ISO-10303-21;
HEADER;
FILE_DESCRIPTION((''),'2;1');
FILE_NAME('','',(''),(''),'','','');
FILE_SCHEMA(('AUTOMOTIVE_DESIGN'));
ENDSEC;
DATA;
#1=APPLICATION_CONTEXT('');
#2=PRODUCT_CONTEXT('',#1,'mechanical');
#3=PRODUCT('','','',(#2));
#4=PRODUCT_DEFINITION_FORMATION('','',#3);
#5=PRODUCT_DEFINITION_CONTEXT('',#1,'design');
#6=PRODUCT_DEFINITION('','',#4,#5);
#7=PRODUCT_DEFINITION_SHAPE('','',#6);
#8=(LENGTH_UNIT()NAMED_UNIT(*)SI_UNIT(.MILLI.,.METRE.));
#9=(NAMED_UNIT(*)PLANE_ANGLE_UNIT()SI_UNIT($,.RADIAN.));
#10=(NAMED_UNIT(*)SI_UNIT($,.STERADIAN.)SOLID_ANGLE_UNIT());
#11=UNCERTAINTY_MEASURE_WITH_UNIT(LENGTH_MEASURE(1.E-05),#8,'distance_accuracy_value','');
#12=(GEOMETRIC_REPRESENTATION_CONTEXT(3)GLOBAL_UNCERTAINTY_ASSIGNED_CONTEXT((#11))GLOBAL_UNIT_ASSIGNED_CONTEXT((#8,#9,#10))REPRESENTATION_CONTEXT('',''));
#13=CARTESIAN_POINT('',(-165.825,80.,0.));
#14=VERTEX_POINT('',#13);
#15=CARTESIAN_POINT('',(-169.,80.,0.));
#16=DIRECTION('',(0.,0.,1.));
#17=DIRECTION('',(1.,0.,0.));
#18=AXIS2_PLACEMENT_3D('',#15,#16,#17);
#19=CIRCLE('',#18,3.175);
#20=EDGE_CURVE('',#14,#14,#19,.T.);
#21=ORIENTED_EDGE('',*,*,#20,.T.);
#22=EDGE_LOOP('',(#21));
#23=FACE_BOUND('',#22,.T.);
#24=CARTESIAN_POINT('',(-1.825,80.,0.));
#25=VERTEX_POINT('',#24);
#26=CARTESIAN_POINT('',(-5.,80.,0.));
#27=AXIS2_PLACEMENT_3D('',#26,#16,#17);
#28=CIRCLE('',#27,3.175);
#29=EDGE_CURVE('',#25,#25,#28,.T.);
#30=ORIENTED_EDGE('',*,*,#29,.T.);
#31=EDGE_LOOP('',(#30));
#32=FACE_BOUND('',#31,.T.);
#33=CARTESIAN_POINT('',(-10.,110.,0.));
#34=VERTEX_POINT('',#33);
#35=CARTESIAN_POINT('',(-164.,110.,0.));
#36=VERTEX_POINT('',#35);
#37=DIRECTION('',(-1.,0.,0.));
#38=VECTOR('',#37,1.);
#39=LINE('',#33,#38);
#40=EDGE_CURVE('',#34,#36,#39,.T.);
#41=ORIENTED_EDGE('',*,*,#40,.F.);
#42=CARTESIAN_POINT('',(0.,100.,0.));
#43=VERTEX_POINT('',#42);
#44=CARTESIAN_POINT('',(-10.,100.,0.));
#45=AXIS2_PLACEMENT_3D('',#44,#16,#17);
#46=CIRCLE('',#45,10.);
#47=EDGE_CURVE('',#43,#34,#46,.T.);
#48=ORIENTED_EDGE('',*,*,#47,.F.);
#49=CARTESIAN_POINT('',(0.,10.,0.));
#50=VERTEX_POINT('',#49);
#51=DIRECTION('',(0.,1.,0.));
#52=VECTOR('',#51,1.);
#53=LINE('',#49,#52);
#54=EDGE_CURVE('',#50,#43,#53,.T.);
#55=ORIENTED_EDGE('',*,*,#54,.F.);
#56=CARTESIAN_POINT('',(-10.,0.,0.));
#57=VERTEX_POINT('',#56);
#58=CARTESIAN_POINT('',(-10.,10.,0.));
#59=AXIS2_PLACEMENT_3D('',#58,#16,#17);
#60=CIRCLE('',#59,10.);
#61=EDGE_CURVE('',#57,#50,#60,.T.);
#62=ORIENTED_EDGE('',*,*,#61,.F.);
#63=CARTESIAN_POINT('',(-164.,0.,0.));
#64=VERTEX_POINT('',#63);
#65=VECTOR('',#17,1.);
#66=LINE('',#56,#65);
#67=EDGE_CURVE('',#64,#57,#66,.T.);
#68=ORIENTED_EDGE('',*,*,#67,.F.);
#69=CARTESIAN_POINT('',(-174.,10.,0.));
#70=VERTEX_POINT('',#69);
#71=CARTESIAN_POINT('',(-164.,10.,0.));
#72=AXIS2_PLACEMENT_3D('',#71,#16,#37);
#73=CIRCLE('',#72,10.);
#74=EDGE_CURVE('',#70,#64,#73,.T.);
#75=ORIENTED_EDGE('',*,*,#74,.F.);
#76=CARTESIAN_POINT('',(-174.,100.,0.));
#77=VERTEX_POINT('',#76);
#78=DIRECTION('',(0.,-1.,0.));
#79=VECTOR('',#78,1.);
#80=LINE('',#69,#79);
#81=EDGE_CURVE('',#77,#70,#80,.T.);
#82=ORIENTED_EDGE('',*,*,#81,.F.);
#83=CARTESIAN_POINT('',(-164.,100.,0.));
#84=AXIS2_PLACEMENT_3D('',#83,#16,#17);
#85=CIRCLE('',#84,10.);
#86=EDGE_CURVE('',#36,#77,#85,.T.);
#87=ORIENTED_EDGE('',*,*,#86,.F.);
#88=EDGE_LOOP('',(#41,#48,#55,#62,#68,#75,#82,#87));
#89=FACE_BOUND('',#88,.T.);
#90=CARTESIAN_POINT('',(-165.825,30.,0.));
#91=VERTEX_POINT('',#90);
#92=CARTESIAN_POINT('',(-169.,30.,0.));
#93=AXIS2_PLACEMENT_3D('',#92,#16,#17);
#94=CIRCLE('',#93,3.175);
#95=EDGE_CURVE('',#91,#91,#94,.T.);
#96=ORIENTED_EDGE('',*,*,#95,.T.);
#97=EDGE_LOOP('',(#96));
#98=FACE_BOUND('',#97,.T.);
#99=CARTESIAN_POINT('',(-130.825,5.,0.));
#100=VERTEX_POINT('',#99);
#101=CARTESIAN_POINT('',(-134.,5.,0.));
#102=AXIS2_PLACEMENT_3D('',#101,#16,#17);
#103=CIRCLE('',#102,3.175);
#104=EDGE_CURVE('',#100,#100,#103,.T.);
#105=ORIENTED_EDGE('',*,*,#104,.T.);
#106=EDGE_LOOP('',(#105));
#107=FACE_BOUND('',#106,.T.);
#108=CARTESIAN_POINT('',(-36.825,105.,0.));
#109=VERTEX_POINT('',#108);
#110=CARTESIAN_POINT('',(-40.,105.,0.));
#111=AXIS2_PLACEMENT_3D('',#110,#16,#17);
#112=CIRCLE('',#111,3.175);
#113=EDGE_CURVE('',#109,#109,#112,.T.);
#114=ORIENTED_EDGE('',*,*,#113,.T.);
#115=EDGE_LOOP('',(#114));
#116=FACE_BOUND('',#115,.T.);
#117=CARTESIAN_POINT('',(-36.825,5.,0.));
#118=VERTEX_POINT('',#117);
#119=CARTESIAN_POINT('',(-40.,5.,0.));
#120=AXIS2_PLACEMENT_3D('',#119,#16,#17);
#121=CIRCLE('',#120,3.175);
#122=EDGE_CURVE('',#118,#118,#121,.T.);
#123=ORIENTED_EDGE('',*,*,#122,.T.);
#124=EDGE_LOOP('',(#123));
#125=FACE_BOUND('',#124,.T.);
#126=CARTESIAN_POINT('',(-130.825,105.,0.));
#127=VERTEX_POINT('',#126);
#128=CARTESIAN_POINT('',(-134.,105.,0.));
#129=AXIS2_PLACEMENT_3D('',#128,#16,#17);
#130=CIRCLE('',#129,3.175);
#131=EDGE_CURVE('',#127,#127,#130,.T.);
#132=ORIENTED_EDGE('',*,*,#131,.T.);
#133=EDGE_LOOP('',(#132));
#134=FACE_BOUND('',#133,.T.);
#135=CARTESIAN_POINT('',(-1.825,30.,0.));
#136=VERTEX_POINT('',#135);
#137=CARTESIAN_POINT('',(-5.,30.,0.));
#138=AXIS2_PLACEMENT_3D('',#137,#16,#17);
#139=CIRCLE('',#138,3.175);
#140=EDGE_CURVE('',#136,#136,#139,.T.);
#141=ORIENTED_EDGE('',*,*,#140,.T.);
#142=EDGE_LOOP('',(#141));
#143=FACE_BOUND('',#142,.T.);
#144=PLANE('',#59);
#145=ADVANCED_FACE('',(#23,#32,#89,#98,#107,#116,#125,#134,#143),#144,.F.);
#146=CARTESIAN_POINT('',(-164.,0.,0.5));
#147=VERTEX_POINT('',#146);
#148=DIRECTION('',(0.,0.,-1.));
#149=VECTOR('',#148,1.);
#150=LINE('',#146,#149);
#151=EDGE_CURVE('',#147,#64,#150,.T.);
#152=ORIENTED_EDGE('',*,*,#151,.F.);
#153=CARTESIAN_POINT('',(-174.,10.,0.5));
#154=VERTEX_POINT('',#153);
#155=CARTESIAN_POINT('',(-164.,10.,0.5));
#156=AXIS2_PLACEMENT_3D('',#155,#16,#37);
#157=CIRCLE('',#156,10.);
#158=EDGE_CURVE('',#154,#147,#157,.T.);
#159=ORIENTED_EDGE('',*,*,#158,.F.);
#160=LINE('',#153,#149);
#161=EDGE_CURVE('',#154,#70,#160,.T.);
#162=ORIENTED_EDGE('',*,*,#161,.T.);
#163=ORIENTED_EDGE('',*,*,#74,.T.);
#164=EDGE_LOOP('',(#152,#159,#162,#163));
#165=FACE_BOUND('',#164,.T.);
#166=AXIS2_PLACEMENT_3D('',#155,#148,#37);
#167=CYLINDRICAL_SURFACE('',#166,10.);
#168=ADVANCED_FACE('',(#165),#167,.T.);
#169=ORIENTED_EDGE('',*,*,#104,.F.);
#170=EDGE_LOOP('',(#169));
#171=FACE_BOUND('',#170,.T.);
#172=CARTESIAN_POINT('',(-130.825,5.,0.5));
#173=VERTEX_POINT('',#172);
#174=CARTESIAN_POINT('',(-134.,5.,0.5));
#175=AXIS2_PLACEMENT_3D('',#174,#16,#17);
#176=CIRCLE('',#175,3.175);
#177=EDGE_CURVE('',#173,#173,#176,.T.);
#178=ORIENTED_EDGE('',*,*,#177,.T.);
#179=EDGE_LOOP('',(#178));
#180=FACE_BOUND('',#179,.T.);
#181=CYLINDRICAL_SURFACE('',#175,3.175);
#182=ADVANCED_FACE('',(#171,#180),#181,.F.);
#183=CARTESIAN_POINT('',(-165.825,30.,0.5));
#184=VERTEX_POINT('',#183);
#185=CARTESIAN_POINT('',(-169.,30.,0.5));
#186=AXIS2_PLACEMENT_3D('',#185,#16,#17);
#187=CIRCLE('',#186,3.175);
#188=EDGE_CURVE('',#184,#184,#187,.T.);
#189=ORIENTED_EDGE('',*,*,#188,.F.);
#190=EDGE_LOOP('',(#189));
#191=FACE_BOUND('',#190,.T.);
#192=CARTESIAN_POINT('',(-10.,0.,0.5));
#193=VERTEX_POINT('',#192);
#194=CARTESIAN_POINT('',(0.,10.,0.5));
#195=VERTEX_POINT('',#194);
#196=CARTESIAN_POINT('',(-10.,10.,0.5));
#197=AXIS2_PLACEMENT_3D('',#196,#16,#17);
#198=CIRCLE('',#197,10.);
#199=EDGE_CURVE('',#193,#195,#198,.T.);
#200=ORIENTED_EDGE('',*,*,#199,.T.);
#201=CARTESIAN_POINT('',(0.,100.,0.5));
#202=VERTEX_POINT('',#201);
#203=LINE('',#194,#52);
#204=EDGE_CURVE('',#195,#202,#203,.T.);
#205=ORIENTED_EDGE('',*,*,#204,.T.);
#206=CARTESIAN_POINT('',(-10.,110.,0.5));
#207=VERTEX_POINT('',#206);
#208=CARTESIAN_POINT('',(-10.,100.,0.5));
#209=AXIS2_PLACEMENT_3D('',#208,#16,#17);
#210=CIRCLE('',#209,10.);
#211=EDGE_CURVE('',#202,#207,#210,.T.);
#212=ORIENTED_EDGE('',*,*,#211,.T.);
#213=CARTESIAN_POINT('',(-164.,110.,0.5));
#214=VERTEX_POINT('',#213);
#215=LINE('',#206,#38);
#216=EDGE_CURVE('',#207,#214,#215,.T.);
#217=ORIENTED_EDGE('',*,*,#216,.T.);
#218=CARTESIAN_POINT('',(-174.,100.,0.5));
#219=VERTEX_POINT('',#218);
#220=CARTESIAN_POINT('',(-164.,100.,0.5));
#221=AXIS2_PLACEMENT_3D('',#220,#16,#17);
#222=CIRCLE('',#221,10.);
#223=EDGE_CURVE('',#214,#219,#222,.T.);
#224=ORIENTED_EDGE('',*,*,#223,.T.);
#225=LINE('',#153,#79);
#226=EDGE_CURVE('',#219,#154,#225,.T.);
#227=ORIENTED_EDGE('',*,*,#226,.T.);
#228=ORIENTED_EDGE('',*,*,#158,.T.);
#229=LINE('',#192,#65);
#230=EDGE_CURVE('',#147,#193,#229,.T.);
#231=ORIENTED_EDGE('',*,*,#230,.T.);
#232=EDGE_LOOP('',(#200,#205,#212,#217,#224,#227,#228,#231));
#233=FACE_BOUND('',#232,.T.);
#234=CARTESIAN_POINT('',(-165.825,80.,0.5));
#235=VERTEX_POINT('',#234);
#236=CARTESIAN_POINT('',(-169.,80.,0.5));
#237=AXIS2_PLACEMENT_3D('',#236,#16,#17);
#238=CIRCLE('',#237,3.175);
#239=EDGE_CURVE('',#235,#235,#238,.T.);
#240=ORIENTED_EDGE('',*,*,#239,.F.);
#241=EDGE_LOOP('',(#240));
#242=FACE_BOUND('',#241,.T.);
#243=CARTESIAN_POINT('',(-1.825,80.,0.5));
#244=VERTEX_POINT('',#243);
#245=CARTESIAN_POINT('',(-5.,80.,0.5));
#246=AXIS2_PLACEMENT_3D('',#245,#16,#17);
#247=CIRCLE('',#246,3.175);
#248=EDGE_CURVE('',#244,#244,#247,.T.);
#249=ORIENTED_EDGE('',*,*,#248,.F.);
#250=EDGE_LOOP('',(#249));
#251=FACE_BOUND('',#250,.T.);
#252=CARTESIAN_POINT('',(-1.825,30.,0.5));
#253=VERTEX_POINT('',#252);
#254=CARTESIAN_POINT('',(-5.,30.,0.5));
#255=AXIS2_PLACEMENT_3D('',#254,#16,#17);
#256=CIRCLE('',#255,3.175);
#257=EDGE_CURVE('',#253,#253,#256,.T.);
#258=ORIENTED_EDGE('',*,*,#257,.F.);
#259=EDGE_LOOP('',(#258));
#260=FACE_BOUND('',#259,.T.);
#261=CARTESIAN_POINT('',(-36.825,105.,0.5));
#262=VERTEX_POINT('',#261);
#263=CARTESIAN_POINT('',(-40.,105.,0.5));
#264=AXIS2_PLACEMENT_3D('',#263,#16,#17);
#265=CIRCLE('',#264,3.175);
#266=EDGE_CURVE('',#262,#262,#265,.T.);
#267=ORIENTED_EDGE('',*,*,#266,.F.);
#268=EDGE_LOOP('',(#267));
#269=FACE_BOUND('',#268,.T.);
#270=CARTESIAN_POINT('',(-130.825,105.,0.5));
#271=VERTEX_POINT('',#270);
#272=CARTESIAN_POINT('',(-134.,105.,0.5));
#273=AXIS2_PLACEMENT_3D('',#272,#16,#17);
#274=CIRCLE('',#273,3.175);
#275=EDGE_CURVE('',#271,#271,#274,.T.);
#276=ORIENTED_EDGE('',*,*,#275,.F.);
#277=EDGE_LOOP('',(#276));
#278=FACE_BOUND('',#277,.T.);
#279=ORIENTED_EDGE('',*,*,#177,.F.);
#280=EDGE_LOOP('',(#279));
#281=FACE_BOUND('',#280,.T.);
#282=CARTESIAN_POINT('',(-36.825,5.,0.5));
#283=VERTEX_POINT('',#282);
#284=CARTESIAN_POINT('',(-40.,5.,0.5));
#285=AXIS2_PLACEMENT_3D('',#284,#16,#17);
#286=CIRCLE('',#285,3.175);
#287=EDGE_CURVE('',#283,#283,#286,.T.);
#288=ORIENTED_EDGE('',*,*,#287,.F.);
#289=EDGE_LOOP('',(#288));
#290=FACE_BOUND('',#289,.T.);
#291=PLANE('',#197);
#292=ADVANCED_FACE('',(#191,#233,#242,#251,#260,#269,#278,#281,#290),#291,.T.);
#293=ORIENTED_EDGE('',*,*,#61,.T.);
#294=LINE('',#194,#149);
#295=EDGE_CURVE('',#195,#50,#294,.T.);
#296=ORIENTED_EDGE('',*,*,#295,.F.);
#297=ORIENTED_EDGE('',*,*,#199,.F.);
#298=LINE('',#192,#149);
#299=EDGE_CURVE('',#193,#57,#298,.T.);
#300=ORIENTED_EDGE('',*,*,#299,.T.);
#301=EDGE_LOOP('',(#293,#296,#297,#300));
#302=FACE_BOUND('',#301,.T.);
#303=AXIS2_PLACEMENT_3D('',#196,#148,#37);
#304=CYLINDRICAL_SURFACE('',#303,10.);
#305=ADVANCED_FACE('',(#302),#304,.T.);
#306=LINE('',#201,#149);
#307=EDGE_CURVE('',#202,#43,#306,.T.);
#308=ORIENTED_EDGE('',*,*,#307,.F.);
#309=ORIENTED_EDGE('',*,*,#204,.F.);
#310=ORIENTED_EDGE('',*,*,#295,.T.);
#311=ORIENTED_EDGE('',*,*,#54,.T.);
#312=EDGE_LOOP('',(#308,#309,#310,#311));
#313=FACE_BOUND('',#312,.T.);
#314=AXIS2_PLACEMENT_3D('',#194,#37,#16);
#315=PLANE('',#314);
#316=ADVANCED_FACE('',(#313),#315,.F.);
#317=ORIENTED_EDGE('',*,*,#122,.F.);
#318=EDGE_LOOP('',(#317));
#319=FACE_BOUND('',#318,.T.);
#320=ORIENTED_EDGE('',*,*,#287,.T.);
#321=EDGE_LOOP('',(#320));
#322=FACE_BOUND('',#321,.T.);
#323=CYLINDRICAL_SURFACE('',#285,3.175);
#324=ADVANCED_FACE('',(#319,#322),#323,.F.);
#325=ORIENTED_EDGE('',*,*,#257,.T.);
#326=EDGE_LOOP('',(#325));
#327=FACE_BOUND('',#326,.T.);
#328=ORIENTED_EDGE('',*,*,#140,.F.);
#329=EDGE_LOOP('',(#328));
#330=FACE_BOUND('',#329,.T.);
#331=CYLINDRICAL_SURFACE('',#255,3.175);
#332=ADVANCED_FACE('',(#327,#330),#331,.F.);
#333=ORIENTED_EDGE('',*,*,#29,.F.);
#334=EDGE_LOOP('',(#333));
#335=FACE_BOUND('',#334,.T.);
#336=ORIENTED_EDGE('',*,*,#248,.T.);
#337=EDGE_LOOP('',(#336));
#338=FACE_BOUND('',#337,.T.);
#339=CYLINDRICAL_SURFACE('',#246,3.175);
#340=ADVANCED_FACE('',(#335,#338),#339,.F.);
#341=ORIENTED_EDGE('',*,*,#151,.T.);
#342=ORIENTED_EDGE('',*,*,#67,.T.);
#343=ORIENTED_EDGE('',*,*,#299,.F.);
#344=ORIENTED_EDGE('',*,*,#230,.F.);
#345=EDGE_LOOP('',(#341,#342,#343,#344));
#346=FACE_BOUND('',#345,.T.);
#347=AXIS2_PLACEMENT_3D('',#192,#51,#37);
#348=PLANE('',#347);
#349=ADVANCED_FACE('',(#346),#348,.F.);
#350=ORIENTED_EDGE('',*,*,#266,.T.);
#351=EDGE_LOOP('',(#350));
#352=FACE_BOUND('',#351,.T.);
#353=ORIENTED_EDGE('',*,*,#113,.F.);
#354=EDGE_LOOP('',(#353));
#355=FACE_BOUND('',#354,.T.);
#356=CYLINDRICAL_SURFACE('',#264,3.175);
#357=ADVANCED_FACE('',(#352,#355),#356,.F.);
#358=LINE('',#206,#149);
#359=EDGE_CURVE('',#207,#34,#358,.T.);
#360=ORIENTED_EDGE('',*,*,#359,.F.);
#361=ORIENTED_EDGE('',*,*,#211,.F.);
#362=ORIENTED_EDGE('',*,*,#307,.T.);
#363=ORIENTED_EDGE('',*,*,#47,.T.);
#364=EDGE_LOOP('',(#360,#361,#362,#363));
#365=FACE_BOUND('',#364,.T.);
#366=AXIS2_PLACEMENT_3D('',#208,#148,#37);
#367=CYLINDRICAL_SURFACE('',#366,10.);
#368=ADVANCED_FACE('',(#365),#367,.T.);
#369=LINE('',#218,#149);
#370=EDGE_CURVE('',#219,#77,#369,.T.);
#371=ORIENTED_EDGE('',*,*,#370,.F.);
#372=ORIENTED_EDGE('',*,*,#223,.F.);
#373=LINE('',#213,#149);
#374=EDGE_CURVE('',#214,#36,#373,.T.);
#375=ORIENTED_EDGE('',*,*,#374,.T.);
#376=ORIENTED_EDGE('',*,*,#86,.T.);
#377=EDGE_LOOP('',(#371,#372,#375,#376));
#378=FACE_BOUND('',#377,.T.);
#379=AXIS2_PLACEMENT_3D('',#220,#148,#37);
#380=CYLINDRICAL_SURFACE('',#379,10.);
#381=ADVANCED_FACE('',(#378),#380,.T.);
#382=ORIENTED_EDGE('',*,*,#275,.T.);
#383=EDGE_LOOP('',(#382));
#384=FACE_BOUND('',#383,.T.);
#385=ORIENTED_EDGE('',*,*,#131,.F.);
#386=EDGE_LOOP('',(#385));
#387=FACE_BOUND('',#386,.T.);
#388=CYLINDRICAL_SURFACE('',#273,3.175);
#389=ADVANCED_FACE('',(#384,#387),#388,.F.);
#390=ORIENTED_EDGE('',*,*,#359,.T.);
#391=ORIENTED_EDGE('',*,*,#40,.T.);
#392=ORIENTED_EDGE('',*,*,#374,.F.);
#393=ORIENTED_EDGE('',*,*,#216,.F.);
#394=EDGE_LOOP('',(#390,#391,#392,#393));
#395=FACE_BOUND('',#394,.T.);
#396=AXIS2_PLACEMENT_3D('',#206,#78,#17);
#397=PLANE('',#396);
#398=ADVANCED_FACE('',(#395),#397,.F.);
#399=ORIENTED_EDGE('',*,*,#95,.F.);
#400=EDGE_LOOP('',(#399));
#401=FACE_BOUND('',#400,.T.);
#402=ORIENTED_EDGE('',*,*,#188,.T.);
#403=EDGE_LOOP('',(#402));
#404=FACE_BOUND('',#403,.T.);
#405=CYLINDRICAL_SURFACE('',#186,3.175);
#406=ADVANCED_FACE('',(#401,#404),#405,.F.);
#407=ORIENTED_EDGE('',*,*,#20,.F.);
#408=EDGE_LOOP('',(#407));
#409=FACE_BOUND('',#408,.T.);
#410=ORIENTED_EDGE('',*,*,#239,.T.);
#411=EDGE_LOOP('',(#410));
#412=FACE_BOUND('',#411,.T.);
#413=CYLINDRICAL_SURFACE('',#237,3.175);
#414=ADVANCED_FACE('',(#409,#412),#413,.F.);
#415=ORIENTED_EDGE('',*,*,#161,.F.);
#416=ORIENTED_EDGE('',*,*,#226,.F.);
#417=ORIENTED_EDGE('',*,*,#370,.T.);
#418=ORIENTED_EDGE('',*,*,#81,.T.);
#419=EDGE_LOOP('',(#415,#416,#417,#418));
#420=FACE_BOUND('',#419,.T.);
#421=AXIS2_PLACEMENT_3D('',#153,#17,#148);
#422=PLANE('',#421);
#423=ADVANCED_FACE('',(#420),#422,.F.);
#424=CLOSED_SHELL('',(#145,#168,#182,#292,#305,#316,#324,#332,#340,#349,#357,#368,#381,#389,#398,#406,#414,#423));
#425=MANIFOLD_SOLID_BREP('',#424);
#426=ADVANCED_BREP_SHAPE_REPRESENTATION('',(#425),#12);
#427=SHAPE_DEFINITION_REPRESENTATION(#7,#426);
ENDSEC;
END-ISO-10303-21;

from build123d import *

# Parameters (mm, degrees)
RESSALTO_EXTRUS_O1_DEPTH                       = 0.5
BROCA_DE_ROSQUEAR_PARA_TARRAXA_DE_M3X0_5_D     = 6.35
BROCA_DE_ROSQUEAR_PARA_TARRAXA_DE_M3X0_5_DEPTH = 23.492267535
BROCA_DE_ROSQUEAR_PARA_TARRAXA_DE_M3X0_5_TIP   = 1.907732465


with BuildPart() as part:
    # Esboço1 → Ressalto-extrusão1 (new body)
    with BuildSketch(Plane.XY):
        with BuildLine():
            Line((-10, 0), (-164, 0))
            ThreePointArc((-164, 0), (-171.071067812, 2.928932188), (-174, 10))
            Line((-174, 10), (-174, 100))
            ThreePointArc((-174, 100), (-171.071067812, 107.071067812), (-164, 110))
            Line((-164, 110), (-10, 110))
            ThreePointArc((-10, 110), (-2.928932188, 107.071067812), (0, 100))
            Line((0, 100), (0, 10))
            ThreePointArc((0, 10), (-2.928932188, 2.928932188), (-10, 0))
        make_face()
    extrude(amount=RESSALTO_EXTRUS_O1_DEPTH)

    # Broca de rosquear para tarraxa de M3x0.51
    with Locations(Plane.XY.offset(0.5)):
        with Locations((-169, 80), (-134, 105), (-40, 105), (-5, 80), (-5, 30), (-169, 30), (-134, 5), (-40, 5)):
            Hole(BROCA_DE_ROSQUEAR_PARA_TARRAXA_DE_M3X0_5_D / 2, depth=BROCA_DE_ROSQUEAR_PARA_TARRAXA_DE_M3X0_5_DEPTH)
            with Locations((0, 0, -(BROCA_DE_ROSQUEAR_PARA_TARRAXA_DE_M3X0_5_DEPTH + BROCA_DE_ROSQUEAR_PARA_TARRAXA_DE_M3X0_5_TIP / 2))):  # 118° drill point
                Cone(0, BROCA_DE_ROSQUEAR_PARA_TARRAXA_DE_M3X0_5_D / 2, BROCA_DE_ROSQUEAR_PARA_TARRAXA_DE_M3X0_5_TIP, mode=Mode.SUBTRACT)


solid = part.part
